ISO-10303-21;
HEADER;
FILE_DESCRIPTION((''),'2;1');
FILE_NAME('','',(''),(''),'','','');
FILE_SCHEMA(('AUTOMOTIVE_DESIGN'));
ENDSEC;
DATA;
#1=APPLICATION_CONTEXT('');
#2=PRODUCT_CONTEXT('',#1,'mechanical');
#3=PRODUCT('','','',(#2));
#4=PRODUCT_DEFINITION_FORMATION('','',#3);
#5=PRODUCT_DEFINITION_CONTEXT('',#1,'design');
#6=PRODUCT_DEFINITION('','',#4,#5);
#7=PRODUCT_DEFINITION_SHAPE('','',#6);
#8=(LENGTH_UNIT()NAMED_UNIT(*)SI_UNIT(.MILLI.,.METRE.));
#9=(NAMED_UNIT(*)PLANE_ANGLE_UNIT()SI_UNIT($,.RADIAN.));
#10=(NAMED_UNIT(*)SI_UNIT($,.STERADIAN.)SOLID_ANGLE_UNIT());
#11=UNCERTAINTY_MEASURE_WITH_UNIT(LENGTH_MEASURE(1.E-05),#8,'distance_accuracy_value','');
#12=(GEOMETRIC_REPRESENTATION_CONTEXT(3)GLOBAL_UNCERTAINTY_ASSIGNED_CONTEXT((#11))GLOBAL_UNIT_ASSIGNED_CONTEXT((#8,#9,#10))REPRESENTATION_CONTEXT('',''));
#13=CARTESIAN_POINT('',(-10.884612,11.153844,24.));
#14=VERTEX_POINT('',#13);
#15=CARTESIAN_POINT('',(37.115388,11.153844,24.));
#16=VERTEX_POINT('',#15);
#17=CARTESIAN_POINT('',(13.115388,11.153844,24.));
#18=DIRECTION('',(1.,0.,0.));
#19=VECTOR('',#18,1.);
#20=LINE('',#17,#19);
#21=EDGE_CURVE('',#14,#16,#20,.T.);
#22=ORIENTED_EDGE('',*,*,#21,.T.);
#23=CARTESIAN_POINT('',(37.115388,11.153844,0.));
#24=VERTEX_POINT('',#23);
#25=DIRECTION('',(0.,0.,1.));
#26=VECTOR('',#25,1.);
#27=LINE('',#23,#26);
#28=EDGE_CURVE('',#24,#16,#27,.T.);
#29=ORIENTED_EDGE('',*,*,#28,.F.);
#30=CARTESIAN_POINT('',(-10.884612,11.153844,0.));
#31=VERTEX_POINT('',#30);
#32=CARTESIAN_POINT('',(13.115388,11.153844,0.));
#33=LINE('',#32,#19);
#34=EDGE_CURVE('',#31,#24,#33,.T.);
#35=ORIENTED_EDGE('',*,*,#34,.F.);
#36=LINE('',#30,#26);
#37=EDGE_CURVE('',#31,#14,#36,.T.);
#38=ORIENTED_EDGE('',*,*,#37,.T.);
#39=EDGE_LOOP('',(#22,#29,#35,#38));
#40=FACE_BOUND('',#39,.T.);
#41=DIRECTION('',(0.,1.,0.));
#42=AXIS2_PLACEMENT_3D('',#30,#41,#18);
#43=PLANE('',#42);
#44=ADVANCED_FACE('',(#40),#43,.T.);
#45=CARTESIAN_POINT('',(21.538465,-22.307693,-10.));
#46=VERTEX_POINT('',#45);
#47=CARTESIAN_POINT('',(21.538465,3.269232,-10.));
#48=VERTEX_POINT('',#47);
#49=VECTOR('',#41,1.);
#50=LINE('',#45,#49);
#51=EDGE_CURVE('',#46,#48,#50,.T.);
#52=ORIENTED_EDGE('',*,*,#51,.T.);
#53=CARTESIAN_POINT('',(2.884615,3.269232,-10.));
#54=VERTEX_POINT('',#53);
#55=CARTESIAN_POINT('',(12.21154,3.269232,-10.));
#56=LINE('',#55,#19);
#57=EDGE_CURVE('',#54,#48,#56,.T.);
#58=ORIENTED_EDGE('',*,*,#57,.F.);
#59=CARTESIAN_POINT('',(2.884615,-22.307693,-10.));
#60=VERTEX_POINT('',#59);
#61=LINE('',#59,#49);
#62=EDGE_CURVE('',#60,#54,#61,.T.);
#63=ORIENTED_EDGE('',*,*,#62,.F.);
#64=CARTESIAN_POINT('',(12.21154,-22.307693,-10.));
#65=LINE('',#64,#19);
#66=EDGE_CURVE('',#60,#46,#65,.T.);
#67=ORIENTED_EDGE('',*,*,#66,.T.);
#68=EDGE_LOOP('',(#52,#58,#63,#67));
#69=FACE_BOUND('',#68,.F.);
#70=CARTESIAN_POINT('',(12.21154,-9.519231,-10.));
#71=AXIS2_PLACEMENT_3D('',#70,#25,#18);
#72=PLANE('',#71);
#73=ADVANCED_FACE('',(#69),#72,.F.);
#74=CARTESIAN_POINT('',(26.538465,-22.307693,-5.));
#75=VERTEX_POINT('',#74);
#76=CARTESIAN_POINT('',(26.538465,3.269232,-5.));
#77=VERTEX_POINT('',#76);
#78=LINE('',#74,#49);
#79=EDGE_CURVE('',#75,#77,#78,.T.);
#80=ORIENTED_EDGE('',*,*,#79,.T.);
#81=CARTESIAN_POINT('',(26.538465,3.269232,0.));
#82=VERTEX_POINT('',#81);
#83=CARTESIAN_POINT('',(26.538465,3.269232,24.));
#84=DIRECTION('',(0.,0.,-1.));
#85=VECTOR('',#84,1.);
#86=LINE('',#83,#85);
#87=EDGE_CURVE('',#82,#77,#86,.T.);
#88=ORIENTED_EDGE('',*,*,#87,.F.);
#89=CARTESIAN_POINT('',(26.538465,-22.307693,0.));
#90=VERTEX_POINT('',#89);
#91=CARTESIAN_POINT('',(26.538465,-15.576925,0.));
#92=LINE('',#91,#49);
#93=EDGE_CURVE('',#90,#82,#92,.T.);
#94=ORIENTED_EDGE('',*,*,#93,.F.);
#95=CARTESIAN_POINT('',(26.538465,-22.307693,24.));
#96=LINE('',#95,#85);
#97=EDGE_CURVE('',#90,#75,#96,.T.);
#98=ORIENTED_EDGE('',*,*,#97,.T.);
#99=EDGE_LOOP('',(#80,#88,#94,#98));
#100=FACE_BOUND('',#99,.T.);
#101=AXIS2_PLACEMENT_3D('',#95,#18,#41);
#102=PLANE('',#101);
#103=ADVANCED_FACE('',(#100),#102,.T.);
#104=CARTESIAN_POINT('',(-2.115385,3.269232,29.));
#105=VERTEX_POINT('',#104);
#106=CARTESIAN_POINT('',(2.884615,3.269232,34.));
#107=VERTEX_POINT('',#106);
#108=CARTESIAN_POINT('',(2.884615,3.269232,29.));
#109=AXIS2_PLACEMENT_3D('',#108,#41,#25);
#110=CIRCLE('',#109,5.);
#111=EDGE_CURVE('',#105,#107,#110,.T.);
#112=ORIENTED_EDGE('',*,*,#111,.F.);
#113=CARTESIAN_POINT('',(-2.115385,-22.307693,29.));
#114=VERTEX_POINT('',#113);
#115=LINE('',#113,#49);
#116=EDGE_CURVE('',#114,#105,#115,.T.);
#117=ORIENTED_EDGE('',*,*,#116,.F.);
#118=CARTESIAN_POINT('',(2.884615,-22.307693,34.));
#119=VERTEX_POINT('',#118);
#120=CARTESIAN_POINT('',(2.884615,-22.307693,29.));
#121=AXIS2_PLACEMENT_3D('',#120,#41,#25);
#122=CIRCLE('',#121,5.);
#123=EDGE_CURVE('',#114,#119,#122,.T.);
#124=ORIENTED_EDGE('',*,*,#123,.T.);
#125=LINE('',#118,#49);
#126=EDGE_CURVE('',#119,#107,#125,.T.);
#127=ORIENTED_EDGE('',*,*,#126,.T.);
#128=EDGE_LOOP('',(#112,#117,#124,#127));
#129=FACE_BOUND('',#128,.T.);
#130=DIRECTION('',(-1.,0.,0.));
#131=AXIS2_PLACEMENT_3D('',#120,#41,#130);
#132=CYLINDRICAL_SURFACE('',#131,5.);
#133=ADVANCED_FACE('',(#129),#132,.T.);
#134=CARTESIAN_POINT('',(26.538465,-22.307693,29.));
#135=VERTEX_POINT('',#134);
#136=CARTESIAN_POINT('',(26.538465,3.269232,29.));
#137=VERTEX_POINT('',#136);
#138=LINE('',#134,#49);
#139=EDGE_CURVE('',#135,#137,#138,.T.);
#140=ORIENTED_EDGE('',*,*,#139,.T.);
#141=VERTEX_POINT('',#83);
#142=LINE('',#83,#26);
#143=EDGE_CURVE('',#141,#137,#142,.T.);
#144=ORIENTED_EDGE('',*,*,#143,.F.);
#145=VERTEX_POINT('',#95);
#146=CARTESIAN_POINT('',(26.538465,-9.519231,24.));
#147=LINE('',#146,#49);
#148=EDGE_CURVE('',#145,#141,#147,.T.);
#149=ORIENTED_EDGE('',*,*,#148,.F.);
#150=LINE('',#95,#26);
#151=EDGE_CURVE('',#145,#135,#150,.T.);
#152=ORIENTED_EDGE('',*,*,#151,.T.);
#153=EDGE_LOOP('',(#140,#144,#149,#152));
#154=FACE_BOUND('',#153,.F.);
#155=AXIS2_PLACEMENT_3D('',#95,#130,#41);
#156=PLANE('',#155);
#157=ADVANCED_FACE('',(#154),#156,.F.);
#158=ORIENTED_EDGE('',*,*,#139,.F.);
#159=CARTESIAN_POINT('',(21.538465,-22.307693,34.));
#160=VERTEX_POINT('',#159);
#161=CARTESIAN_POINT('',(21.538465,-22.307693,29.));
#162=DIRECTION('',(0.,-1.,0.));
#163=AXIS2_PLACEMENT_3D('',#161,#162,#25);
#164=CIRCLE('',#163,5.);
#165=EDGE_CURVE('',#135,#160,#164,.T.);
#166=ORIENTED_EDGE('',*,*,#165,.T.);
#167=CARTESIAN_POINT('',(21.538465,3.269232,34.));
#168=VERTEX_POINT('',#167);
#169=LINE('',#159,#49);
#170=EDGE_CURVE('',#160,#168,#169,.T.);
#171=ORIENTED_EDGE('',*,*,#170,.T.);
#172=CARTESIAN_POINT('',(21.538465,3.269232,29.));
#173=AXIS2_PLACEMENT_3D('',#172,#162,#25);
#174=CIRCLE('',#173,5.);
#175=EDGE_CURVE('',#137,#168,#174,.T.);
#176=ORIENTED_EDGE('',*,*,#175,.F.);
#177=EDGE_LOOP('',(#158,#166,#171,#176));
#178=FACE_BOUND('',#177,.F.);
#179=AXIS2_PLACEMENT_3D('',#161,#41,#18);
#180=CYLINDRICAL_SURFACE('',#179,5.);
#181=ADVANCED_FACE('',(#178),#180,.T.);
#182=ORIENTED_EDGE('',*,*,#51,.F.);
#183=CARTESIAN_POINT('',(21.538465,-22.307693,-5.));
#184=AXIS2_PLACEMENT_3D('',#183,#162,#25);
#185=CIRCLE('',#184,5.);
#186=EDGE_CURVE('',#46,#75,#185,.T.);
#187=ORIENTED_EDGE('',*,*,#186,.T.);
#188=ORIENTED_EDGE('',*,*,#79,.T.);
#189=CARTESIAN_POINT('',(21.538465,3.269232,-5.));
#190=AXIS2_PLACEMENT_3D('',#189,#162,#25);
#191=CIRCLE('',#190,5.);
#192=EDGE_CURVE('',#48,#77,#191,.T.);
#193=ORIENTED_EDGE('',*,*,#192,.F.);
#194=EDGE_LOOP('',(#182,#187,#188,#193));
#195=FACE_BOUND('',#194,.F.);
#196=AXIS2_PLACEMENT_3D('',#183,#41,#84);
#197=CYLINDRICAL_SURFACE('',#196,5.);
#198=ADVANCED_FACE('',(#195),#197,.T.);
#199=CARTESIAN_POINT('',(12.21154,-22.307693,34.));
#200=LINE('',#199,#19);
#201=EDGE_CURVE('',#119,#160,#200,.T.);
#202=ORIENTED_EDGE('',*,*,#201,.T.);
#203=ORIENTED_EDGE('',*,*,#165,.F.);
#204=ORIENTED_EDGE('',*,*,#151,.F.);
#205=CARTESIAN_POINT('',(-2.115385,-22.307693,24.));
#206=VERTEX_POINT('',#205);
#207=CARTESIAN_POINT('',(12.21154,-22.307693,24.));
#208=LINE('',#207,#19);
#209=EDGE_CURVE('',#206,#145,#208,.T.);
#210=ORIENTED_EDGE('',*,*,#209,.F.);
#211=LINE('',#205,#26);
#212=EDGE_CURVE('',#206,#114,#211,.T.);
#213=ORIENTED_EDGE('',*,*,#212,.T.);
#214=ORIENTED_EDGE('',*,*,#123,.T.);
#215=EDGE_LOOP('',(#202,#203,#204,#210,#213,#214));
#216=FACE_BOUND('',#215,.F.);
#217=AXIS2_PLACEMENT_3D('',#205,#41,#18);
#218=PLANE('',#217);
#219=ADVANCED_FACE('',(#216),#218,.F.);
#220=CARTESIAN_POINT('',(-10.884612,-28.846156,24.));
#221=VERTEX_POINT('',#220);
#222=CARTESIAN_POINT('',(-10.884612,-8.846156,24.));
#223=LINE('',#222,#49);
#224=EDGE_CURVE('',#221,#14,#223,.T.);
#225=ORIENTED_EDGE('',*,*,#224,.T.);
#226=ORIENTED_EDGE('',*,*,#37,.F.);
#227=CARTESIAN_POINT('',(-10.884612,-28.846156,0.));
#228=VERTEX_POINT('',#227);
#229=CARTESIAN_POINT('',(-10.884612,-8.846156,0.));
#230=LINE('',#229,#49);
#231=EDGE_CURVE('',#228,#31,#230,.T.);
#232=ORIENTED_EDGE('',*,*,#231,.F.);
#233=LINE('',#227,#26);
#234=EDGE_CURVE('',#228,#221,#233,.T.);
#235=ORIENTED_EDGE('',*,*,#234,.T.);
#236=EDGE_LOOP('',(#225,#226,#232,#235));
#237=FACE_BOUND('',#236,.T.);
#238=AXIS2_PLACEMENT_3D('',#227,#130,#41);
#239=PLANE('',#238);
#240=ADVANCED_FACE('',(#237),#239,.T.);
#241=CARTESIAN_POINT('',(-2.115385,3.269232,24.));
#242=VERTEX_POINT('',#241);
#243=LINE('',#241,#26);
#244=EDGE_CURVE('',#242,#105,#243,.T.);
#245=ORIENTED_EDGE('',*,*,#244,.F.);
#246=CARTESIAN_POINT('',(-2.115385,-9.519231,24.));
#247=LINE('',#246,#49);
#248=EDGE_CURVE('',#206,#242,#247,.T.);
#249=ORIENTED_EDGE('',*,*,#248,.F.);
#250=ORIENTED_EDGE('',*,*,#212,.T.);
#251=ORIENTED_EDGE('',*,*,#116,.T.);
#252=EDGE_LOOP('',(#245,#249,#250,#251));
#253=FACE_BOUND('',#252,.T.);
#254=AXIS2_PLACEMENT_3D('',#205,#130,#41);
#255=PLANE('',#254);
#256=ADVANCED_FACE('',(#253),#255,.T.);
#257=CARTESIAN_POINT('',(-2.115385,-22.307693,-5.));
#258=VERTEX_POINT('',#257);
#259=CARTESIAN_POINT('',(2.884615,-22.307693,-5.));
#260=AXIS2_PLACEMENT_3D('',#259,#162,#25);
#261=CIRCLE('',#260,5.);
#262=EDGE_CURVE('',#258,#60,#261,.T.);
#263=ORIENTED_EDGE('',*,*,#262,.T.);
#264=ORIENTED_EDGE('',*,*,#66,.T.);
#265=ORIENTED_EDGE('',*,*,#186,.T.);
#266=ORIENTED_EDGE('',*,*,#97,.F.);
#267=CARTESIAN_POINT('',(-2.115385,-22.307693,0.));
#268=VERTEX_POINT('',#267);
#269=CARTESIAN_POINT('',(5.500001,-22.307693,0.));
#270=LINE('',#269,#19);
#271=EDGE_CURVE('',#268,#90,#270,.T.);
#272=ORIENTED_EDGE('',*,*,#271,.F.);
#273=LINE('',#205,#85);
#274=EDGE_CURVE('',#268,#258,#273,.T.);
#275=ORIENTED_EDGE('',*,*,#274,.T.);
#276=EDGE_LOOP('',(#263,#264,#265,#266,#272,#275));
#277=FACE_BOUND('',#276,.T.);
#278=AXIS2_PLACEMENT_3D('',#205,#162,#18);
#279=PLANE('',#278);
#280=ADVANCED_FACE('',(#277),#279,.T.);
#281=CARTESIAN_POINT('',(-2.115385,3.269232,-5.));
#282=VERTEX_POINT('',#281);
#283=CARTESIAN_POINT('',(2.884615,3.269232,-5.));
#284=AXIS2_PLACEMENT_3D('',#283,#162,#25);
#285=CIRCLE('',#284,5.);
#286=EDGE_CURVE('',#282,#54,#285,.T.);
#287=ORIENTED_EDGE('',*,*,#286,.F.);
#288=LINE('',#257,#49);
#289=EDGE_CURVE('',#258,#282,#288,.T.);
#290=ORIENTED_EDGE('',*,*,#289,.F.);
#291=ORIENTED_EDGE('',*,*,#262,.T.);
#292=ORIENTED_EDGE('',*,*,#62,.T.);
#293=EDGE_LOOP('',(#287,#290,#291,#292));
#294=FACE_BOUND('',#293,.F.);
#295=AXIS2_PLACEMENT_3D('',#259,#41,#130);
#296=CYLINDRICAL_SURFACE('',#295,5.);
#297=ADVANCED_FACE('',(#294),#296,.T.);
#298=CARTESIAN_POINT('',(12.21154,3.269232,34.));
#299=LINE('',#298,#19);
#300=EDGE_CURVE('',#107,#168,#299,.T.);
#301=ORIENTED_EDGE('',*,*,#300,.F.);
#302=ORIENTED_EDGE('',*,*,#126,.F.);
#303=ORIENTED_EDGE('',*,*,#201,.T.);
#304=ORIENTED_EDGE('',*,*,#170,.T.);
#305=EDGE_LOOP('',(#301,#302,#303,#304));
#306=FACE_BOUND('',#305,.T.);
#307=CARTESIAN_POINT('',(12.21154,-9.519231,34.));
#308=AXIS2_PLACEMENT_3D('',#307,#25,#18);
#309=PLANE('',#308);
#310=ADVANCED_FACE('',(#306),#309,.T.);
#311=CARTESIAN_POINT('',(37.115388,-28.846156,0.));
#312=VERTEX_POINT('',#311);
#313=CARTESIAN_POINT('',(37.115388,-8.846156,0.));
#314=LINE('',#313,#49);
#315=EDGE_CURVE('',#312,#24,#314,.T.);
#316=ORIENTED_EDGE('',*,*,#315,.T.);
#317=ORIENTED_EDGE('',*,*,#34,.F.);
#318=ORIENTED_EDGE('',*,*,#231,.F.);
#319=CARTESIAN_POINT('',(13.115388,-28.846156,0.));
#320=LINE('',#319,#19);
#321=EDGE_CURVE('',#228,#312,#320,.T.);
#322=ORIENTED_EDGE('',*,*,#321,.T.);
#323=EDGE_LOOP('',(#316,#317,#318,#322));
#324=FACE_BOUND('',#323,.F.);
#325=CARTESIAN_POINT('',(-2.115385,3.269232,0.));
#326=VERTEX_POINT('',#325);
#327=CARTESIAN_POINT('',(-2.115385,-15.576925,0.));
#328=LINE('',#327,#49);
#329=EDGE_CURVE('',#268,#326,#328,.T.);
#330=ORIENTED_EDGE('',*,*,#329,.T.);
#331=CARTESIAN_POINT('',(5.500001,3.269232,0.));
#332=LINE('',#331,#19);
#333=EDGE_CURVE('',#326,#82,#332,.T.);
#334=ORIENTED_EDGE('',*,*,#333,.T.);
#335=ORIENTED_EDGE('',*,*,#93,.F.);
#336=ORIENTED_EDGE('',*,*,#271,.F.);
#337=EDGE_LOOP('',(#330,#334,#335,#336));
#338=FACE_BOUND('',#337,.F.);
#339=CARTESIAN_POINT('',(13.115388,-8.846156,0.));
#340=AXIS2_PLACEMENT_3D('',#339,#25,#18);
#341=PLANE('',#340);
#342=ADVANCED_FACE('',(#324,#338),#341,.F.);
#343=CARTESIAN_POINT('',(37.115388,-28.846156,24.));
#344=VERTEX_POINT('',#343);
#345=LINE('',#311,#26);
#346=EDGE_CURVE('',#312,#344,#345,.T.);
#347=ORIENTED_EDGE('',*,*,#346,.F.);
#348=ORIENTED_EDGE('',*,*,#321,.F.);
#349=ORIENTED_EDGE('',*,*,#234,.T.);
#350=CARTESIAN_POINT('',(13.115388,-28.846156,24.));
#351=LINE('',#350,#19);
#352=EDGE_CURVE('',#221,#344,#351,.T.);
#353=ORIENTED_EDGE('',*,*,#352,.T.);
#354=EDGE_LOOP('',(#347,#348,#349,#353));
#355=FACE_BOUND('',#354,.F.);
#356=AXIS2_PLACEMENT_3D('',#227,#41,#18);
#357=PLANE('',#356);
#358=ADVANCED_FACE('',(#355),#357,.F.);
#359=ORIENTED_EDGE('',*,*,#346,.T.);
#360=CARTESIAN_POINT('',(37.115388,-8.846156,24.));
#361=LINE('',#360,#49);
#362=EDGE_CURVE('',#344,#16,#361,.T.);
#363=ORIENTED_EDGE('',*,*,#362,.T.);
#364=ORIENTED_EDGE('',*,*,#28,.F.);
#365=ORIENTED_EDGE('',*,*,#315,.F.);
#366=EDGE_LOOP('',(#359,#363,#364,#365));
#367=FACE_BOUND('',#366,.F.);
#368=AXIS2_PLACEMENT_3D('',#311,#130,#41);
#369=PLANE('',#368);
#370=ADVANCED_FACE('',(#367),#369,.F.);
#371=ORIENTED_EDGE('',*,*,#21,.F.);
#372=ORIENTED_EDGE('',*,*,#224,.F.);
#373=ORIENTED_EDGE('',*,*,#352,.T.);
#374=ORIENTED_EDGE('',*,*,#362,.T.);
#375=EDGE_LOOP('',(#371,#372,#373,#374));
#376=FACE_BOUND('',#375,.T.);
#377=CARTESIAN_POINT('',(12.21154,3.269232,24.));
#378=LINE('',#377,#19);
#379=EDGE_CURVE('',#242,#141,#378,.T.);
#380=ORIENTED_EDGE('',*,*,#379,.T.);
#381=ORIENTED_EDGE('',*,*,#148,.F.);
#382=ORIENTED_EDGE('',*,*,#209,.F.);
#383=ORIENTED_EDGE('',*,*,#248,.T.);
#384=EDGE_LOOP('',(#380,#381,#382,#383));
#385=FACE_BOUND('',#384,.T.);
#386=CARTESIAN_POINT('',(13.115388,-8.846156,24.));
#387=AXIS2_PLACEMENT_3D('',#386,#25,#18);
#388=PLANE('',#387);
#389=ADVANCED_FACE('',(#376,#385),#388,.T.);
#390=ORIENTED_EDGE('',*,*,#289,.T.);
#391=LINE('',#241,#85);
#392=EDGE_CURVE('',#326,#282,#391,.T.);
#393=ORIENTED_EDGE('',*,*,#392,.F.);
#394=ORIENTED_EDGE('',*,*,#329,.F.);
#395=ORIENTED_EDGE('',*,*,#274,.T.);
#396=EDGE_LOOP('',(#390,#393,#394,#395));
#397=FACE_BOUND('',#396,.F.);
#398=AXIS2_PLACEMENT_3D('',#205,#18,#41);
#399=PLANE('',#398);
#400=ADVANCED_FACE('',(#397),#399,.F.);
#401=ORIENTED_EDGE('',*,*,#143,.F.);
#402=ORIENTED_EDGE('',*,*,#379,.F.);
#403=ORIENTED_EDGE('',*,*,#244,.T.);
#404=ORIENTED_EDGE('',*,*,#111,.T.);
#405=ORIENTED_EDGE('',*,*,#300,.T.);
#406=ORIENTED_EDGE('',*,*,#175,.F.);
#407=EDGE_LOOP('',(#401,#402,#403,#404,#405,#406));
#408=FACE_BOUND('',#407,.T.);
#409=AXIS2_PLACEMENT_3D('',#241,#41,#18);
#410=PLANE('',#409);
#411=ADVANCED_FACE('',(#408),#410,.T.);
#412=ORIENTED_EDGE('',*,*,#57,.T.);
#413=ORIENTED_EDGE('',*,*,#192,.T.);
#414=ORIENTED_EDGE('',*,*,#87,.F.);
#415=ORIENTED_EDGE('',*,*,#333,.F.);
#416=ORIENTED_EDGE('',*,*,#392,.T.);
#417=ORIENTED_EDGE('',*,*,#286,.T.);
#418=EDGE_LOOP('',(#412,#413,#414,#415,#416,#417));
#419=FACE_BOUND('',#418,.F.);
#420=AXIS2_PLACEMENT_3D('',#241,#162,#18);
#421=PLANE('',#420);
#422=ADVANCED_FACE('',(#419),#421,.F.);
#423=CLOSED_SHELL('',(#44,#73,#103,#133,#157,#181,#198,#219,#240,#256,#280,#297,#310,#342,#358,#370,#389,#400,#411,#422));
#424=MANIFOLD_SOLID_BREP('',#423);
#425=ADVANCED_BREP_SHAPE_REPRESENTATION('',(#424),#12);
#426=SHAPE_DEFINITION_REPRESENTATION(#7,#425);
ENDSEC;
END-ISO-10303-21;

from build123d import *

# Parameters (mm, degrees)
F0_W          = 48
F0_H          = 40
F1_DEPTH      = 24
F2_W          = 28.65385
F2_H          = 25.576925
F3_DEPTH      = 10
F3_DEPTH_BACK = 34
F4_R          = 5


with BuildPart() as f1:
    # F0 (on Top) → F1 (new body)
    with BuildSketch(Plane.XY):
        with Locations((13.115388, -8.846156)):
            Rectangle(F0_W, F0_H)
    extrude(amount=F1_DEPTH)

    # F2 (on face) → F3 (join, two sides)
    with BuildSketch(Plane.XY.offset(24)) as f3_sk:
        with Locations((12.21154, -9.519231)):
            Rectangle(F2_W, F2_H)
    extrude(amount=F3_DEPTH)
    extrude(f3_sk.sketch, amount=-F3_DEPTH_BACK)

    # F4
    f4_edges = [f1.edges().sort_by_distance(p)[0] for p in [
        (26.538465, -9.519232, 34),
        (26.538465, -9.519232, -10),
        (-2.115385, -9.519232, -10),
        (-2.115385, -9.519232, 34),
    ]]
    fillet(f4_edges, radius=F4_R)


solid = f1.part
